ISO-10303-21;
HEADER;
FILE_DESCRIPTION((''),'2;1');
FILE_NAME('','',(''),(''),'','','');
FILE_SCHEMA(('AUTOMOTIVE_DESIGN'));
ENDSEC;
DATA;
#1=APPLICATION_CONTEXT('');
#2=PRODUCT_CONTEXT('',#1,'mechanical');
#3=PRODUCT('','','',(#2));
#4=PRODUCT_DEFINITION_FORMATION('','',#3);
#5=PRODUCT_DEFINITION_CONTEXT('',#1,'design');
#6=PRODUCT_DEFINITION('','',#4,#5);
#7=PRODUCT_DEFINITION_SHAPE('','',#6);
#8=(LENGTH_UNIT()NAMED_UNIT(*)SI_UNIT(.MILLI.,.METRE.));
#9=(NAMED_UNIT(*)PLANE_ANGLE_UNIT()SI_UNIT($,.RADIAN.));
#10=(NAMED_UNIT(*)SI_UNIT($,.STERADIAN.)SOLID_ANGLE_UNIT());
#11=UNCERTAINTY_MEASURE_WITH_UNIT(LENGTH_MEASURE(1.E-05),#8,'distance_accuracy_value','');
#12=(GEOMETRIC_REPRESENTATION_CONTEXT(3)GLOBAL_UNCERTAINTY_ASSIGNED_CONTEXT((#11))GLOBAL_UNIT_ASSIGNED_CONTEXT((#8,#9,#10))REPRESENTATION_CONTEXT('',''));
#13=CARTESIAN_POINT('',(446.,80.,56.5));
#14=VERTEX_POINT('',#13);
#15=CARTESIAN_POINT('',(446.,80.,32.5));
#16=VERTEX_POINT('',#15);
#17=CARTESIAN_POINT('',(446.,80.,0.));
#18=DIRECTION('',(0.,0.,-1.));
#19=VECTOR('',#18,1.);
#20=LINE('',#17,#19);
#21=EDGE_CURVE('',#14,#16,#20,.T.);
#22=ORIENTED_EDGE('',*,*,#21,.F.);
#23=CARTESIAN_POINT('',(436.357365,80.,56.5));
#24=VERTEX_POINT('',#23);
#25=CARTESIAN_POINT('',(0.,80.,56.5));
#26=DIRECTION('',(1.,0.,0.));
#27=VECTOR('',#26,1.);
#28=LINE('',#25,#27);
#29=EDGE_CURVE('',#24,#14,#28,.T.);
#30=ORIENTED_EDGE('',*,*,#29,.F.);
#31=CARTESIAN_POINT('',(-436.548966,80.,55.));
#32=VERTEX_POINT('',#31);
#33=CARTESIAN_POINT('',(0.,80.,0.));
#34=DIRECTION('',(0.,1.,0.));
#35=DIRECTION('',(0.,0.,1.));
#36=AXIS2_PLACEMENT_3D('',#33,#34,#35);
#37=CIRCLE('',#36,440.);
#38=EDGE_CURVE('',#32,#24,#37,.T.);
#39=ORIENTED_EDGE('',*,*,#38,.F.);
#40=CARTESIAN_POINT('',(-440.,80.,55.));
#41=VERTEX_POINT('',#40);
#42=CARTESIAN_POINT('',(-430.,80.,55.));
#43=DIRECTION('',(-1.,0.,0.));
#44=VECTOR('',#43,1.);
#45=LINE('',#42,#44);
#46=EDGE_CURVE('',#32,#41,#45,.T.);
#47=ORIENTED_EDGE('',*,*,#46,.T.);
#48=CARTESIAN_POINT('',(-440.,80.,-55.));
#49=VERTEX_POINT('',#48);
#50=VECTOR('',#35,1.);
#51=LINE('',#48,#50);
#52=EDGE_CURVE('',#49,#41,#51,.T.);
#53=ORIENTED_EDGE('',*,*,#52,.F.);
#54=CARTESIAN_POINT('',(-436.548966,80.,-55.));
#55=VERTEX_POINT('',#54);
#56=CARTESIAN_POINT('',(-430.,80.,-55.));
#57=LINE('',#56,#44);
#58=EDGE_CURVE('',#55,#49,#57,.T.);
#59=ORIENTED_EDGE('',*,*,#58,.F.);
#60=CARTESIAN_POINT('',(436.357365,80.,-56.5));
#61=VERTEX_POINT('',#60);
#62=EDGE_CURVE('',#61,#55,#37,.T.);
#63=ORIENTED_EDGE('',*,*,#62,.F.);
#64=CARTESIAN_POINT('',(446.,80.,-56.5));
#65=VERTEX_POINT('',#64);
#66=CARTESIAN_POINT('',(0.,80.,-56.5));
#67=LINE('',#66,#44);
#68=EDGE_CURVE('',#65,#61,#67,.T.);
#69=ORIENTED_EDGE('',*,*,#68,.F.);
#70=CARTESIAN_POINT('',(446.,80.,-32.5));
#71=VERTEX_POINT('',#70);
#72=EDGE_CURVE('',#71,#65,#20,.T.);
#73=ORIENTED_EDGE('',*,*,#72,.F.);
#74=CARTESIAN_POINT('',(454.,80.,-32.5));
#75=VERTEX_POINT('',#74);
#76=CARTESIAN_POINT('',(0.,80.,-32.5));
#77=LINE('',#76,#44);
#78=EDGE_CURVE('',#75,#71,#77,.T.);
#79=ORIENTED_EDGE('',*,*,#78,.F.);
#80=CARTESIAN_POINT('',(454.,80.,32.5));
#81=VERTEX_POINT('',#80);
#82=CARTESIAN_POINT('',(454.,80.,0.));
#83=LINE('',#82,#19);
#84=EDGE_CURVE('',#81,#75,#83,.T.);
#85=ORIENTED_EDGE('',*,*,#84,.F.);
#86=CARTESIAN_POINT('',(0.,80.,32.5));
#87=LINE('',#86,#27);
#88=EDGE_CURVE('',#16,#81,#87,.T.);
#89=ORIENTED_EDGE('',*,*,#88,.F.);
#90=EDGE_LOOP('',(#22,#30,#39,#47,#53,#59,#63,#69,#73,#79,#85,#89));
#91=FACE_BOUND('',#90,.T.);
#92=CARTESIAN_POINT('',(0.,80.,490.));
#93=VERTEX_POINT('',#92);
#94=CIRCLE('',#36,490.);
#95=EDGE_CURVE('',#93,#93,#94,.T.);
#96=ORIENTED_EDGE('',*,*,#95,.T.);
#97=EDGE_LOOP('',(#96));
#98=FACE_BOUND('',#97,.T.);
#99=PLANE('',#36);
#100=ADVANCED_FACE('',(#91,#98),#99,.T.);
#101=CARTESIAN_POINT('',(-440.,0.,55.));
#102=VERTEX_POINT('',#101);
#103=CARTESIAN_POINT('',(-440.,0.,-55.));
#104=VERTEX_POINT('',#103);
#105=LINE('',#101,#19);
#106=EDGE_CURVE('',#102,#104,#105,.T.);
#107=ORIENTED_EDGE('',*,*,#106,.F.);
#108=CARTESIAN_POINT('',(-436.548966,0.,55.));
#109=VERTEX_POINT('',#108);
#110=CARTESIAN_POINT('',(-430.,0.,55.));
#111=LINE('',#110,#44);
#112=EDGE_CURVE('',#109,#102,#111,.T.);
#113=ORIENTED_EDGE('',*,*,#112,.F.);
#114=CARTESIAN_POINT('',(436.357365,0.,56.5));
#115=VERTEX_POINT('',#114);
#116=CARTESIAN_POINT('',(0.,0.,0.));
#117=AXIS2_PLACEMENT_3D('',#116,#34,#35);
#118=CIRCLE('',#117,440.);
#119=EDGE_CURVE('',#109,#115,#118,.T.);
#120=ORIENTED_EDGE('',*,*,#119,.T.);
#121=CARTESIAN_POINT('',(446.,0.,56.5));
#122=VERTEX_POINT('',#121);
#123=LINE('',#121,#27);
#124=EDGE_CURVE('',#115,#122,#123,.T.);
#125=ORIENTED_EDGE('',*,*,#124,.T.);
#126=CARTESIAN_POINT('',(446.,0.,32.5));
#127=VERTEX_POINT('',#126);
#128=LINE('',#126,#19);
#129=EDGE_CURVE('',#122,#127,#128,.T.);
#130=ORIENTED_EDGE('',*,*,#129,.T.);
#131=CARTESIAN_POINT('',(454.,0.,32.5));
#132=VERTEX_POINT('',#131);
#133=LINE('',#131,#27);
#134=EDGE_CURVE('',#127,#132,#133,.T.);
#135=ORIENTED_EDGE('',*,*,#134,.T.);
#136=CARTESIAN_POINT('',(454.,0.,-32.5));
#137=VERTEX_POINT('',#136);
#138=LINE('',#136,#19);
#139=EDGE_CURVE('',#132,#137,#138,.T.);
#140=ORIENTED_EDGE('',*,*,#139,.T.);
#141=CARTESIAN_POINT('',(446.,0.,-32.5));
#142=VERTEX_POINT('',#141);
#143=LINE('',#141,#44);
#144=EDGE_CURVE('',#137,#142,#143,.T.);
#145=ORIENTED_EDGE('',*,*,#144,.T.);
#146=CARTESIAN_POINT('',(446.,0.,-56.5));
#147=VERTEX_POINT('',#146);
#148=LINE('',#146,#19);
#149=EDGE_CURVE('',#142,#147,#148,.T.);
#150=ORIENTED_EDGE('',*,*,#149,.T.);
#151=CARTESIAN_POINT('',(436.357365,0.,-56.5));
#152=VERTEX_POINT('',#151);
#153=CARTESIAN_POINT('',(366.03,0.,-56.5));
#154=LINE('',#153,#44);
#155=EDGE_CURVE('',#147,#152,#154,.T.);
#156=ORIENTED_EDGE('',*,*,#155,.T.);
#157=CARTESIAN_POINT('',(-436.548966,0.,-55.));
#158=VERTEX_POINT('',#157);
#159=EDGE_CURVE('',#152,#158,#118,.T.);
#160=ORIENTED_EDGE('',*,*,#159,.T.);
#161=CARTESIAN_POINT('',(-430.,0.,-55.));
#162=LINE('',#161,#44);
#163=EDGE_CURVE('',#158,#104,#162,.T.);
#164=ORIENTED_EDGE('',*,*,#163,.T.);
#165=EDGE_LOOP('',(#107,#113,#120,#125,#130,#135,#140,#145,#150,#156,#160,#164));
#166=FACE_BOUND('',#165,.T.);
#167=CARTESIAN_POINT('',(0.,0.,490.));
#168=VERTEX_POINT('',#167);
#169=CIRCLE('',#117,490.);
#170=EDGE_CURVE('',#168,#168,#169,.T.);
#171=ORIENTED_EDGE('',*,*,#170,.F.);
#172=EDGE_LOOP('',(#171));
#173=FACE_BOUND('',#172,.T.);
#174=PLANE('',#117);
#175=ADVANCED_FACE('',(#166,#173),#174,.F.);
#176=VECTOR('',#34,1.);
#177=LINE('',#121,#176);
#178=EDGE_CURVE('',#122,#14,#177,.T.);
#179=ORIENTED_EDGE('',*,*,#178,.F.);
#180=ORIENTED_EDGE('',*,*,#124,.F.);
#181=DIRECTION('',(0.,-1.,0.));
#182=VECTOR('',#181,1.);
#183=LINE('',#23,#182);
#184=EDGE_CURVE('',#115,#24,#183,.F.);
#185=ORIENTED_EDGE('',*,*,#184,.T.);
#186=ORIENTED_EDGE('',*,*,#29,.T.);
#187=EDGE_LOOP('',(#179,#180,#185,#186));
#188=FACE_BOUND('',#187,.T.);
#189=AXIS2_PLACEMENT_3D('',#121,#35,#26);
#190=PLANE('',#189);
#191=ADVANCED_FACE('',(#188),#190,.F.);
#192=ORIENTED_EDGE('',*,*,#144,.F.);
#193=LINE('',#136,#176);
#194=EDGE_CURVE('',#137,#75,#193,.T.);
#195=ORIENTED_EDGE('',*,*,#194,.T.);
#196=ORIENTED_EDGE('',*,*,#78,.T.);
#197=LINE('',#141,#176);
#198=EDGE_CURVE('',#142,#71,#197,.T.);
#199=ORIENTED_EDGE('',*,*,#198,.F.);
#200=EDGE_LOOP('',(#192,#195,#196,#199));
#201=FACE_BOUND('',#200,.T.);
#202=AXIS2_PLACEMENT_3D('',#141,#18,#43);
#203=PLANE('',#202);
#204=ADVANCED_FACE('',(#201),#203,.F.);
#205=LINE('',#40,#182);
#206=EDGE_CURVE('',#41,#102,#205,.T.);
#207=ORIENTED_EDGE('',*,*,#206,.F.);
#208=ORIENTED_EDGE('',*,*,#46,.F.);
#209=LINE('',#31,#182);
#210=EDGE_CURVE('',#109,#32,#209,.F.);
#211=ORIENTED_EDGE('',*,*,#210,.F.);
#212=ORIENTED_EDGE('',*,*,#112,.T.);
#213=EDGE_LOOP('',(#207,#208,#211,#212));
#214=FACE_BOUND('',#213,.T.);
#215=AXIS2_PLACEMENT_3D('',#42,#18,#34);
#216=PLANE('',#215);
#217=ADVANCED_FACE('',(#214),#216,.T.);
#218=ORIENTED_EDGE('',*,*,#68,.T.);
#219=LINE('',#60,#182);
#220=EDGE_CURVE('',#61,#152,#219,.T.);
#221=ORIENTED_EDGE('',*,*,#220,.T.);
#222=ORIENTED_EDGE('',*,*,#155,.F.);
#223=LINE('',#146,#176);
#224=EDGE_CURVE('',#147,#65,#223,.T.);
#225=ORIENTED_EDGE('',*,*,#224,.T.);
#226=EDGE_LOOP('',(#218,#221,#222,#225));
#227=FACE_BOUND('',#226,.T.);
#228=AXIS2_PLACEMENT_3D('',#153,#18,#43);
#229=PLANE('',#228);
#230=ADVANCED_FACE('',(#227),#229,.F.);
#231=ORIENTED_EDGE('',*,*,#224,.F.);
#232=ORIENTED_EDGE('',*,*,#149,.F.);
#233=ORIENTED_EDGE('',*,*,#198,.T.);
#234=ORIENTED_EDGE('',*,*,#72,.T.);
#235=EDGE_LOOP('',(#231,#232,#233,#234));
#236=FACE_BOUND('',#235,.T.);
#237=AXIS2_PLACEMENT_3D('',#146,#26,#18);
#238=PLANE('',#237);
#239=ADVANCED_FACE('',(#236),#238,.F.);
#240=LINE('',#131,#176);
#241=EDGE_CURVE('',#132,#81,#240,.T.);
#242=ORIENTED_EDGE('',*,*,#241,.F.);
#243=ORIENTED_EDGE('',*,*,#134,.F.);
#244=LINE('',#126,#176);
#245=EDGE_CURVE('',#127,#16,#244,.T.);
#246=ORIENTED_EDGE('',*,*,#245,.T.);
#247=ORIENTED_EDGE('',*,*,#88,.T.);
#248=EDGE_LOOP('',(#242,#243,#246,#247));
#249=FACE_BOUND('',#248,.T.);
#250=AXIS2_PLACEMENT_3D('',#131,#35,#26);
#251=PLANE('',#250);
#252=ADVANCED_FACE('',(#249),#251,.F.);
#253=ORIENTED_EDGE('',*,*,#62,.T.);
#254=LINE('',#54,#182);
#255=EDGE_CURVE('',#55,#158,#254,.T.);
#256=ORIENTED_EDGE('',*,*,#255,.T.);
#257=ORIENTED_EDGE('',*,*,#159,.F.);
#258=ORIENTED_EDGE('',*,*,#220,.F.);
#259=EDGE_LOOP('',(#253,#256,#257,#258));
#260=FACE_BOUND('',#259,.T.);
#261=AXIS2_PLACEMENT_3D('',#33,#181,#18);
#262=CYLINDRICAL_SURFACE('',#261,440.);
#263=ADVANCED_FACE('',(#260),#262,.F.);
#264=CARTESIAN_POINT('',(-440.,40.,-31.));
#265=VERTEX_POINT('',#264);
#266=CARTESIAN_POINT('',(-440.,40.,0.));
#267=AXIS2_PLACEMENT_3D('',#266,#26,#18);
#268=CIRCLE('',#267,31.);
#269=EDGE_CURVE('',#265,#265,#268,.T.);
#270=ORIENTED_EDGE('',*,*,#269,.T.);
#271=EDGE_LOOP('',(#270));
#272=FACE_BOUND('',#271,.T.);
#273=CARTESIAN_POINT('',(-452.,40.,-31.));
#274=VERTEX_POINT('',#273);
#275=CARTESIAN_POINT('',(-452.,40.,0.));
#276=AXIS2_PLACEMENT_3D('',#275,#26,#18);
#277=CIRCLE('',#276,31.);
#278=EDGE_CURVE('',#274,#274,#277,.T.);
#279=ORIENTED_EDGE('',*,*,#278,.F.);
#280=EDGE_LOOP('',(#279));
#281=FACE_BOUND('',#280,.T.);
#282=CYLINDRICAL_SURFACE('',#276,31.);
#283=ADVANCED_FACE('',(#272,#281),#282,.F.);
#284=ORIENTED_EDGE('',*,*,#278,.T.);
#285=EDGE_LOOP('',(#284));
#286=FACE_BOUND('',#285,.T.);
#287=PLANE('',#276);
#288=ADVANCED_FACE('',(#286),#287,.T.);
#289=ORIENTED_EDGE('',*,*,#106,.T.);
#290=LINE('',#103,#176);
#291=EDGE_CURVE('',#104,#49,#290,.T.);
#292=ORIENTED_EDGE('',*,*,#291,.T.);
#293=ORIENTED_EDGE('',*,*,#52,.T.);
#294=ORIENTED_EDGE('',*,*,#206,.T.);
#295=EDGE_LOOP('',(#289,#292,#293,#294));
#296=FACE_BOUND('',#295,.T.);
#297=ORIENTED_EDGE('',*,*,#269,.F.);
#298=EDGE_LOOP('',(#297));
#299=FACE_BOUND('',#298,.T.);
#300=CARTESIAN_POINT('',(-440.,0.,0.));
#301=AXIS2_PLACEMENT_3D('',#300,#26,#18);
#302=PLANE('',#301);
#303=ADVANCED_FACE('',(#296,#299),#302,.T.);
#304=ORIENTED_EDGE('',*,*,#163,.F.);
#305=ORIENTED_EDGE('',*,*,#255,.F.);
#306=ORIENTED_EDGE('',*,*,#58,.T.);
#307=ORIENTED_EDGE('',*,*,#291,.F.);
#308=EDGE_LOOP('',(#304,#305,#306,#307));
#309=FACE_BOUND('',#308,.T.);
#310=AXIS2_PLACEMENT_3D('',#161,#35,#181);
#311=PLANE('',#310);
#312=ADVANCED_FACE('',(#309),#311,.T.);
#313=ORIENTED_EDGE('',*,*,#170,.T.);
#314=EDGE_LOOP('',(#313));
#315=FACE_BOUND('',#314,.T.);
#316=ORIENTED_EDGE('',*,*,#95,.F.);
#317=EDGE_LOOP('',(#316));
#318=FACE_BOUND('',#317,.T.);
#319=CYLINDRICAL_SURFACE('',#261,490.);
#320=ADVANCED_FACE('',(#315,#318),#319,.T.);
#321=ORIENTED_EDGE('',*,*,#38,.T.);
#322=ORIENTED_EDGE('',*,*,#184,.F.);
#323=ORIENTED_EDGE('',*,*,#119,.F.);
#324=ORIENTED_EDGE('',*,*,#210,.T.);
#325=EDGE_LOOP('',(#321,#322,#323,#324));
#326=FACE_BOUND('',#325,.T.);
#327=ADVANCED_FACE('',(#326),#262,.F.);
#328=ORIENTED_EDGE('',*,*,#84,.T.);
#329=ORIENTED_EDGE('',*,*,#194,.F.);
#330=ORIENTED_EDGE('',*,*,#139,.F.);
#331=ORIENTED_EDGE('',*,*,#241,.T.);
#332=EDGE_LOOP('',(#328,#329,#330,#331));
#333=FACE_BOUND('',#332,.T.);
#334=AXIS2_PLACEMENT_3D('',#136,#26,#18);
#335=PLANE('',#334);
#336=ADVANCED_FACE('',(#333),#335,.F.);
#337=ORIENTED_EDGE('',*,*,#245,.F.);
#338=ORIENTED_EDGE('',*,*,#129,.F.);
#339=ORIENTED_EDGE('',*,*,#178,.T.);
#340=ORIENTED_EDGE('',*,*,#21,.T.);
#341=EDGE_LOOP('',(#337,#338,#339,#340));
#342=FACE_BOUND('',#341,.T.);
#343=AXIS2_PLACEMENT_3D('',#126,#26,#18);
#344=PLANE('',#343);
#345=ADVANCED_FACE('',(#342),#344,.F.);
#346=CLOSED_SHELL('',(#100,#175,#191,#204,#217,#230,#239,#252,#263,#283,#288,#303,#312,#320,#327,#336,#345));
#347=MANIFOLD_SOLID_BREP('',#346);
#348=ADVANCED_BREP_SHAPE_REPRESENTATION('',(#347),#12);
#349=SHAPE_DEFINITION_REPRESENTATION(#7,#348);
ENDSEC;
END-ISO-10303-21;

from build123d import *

# Parameters (mm, degrees)
SKETCH1_R               = 490
SKETCH1_R_2             = 440
BOSS_EXTRUDE1_DEPTH     = 80
CUT_EXTRUDE2_DEPTH      = 698.567201064
CUT_EXTRUDE2_DEPTH_BACK = 698.567201064
SKETCH4_W               = 110
SKETCH4_H               = 80
CUT_EXTRUDE3_DEPTH      = 10
SKETCH5_R               = 31
CUT_EXTRUDE4_DEPTH      = 12


with BuildPart() as part:
    # Sketch1 → Boss-Extrude1 (new body)
    with BuildSketch(Plane(origin=(0, 0, 0), x_dir=(1, 0, 0), z_dir=(0, 1, 0))):
        with Locations(Location((0, 0, 0), (0, 0, 270))):
            Circle(SKETCH1_R)
        with Locations(Location((0, 0, 0), (0, 0, 270))):
            Circle(SKETCH1_R_2, mode=Mode.SUBTRACT)
    extrude(amount=BOSS_EXTRUDE1_DEPTH)

    # Sketch3 → Cut-Extrude2 (cut, two sides: drawn at the far end of the back side and taken through both)
    with BuildSketch(Plane(origin=(0, 80, 0), x_dir=(1, 0, 0), z_dir=(0, 1, 0)).offset(-CUT_EXTRUDE2_DEPTH_BACK)):
        Polygon((446, 32.5), (454, 32.5), (454, -32.5), (446, -32.5), (446, -56.5), (366.03, -56.5), (366.03, 56.5), (446, 56.5), align=None)
    extrude(amount=CUT_EXTRUDE2_DEPTH + CUT_EXTRUDE2_DEPTH_BACK, mode=Mode.SUBTRACT)

    # Sketch4 → Cut-Extrude3 (cut)
    with BuildSketch(Plane(origin=(-440, 0, 0), x_dir=(0, 0, -1), z_dir=(1, 0, 0))):
        with Locations((0, 40)):
            Rectangle(SKETCH4_W, SKETCH4_H)
    extrude(amount=CUT_EXTRUDE3_DEPTH, mode=Mode.SUBTRACT)

    # Sketch5 → Cut-Extrude4 (cut)
    with BuildSketch(Plane(origin=(-440, 0, 0), x_dir=(0, 0, -1), z_dir=(1, 0, 0))):
        with Locations((0, 40)):
            Circle(SKETCH5_R)
    extrude(amount=-CUT_EXTRUDE4_DEPTH, mode=Mode.SUBTRACT)


solid = part.part
